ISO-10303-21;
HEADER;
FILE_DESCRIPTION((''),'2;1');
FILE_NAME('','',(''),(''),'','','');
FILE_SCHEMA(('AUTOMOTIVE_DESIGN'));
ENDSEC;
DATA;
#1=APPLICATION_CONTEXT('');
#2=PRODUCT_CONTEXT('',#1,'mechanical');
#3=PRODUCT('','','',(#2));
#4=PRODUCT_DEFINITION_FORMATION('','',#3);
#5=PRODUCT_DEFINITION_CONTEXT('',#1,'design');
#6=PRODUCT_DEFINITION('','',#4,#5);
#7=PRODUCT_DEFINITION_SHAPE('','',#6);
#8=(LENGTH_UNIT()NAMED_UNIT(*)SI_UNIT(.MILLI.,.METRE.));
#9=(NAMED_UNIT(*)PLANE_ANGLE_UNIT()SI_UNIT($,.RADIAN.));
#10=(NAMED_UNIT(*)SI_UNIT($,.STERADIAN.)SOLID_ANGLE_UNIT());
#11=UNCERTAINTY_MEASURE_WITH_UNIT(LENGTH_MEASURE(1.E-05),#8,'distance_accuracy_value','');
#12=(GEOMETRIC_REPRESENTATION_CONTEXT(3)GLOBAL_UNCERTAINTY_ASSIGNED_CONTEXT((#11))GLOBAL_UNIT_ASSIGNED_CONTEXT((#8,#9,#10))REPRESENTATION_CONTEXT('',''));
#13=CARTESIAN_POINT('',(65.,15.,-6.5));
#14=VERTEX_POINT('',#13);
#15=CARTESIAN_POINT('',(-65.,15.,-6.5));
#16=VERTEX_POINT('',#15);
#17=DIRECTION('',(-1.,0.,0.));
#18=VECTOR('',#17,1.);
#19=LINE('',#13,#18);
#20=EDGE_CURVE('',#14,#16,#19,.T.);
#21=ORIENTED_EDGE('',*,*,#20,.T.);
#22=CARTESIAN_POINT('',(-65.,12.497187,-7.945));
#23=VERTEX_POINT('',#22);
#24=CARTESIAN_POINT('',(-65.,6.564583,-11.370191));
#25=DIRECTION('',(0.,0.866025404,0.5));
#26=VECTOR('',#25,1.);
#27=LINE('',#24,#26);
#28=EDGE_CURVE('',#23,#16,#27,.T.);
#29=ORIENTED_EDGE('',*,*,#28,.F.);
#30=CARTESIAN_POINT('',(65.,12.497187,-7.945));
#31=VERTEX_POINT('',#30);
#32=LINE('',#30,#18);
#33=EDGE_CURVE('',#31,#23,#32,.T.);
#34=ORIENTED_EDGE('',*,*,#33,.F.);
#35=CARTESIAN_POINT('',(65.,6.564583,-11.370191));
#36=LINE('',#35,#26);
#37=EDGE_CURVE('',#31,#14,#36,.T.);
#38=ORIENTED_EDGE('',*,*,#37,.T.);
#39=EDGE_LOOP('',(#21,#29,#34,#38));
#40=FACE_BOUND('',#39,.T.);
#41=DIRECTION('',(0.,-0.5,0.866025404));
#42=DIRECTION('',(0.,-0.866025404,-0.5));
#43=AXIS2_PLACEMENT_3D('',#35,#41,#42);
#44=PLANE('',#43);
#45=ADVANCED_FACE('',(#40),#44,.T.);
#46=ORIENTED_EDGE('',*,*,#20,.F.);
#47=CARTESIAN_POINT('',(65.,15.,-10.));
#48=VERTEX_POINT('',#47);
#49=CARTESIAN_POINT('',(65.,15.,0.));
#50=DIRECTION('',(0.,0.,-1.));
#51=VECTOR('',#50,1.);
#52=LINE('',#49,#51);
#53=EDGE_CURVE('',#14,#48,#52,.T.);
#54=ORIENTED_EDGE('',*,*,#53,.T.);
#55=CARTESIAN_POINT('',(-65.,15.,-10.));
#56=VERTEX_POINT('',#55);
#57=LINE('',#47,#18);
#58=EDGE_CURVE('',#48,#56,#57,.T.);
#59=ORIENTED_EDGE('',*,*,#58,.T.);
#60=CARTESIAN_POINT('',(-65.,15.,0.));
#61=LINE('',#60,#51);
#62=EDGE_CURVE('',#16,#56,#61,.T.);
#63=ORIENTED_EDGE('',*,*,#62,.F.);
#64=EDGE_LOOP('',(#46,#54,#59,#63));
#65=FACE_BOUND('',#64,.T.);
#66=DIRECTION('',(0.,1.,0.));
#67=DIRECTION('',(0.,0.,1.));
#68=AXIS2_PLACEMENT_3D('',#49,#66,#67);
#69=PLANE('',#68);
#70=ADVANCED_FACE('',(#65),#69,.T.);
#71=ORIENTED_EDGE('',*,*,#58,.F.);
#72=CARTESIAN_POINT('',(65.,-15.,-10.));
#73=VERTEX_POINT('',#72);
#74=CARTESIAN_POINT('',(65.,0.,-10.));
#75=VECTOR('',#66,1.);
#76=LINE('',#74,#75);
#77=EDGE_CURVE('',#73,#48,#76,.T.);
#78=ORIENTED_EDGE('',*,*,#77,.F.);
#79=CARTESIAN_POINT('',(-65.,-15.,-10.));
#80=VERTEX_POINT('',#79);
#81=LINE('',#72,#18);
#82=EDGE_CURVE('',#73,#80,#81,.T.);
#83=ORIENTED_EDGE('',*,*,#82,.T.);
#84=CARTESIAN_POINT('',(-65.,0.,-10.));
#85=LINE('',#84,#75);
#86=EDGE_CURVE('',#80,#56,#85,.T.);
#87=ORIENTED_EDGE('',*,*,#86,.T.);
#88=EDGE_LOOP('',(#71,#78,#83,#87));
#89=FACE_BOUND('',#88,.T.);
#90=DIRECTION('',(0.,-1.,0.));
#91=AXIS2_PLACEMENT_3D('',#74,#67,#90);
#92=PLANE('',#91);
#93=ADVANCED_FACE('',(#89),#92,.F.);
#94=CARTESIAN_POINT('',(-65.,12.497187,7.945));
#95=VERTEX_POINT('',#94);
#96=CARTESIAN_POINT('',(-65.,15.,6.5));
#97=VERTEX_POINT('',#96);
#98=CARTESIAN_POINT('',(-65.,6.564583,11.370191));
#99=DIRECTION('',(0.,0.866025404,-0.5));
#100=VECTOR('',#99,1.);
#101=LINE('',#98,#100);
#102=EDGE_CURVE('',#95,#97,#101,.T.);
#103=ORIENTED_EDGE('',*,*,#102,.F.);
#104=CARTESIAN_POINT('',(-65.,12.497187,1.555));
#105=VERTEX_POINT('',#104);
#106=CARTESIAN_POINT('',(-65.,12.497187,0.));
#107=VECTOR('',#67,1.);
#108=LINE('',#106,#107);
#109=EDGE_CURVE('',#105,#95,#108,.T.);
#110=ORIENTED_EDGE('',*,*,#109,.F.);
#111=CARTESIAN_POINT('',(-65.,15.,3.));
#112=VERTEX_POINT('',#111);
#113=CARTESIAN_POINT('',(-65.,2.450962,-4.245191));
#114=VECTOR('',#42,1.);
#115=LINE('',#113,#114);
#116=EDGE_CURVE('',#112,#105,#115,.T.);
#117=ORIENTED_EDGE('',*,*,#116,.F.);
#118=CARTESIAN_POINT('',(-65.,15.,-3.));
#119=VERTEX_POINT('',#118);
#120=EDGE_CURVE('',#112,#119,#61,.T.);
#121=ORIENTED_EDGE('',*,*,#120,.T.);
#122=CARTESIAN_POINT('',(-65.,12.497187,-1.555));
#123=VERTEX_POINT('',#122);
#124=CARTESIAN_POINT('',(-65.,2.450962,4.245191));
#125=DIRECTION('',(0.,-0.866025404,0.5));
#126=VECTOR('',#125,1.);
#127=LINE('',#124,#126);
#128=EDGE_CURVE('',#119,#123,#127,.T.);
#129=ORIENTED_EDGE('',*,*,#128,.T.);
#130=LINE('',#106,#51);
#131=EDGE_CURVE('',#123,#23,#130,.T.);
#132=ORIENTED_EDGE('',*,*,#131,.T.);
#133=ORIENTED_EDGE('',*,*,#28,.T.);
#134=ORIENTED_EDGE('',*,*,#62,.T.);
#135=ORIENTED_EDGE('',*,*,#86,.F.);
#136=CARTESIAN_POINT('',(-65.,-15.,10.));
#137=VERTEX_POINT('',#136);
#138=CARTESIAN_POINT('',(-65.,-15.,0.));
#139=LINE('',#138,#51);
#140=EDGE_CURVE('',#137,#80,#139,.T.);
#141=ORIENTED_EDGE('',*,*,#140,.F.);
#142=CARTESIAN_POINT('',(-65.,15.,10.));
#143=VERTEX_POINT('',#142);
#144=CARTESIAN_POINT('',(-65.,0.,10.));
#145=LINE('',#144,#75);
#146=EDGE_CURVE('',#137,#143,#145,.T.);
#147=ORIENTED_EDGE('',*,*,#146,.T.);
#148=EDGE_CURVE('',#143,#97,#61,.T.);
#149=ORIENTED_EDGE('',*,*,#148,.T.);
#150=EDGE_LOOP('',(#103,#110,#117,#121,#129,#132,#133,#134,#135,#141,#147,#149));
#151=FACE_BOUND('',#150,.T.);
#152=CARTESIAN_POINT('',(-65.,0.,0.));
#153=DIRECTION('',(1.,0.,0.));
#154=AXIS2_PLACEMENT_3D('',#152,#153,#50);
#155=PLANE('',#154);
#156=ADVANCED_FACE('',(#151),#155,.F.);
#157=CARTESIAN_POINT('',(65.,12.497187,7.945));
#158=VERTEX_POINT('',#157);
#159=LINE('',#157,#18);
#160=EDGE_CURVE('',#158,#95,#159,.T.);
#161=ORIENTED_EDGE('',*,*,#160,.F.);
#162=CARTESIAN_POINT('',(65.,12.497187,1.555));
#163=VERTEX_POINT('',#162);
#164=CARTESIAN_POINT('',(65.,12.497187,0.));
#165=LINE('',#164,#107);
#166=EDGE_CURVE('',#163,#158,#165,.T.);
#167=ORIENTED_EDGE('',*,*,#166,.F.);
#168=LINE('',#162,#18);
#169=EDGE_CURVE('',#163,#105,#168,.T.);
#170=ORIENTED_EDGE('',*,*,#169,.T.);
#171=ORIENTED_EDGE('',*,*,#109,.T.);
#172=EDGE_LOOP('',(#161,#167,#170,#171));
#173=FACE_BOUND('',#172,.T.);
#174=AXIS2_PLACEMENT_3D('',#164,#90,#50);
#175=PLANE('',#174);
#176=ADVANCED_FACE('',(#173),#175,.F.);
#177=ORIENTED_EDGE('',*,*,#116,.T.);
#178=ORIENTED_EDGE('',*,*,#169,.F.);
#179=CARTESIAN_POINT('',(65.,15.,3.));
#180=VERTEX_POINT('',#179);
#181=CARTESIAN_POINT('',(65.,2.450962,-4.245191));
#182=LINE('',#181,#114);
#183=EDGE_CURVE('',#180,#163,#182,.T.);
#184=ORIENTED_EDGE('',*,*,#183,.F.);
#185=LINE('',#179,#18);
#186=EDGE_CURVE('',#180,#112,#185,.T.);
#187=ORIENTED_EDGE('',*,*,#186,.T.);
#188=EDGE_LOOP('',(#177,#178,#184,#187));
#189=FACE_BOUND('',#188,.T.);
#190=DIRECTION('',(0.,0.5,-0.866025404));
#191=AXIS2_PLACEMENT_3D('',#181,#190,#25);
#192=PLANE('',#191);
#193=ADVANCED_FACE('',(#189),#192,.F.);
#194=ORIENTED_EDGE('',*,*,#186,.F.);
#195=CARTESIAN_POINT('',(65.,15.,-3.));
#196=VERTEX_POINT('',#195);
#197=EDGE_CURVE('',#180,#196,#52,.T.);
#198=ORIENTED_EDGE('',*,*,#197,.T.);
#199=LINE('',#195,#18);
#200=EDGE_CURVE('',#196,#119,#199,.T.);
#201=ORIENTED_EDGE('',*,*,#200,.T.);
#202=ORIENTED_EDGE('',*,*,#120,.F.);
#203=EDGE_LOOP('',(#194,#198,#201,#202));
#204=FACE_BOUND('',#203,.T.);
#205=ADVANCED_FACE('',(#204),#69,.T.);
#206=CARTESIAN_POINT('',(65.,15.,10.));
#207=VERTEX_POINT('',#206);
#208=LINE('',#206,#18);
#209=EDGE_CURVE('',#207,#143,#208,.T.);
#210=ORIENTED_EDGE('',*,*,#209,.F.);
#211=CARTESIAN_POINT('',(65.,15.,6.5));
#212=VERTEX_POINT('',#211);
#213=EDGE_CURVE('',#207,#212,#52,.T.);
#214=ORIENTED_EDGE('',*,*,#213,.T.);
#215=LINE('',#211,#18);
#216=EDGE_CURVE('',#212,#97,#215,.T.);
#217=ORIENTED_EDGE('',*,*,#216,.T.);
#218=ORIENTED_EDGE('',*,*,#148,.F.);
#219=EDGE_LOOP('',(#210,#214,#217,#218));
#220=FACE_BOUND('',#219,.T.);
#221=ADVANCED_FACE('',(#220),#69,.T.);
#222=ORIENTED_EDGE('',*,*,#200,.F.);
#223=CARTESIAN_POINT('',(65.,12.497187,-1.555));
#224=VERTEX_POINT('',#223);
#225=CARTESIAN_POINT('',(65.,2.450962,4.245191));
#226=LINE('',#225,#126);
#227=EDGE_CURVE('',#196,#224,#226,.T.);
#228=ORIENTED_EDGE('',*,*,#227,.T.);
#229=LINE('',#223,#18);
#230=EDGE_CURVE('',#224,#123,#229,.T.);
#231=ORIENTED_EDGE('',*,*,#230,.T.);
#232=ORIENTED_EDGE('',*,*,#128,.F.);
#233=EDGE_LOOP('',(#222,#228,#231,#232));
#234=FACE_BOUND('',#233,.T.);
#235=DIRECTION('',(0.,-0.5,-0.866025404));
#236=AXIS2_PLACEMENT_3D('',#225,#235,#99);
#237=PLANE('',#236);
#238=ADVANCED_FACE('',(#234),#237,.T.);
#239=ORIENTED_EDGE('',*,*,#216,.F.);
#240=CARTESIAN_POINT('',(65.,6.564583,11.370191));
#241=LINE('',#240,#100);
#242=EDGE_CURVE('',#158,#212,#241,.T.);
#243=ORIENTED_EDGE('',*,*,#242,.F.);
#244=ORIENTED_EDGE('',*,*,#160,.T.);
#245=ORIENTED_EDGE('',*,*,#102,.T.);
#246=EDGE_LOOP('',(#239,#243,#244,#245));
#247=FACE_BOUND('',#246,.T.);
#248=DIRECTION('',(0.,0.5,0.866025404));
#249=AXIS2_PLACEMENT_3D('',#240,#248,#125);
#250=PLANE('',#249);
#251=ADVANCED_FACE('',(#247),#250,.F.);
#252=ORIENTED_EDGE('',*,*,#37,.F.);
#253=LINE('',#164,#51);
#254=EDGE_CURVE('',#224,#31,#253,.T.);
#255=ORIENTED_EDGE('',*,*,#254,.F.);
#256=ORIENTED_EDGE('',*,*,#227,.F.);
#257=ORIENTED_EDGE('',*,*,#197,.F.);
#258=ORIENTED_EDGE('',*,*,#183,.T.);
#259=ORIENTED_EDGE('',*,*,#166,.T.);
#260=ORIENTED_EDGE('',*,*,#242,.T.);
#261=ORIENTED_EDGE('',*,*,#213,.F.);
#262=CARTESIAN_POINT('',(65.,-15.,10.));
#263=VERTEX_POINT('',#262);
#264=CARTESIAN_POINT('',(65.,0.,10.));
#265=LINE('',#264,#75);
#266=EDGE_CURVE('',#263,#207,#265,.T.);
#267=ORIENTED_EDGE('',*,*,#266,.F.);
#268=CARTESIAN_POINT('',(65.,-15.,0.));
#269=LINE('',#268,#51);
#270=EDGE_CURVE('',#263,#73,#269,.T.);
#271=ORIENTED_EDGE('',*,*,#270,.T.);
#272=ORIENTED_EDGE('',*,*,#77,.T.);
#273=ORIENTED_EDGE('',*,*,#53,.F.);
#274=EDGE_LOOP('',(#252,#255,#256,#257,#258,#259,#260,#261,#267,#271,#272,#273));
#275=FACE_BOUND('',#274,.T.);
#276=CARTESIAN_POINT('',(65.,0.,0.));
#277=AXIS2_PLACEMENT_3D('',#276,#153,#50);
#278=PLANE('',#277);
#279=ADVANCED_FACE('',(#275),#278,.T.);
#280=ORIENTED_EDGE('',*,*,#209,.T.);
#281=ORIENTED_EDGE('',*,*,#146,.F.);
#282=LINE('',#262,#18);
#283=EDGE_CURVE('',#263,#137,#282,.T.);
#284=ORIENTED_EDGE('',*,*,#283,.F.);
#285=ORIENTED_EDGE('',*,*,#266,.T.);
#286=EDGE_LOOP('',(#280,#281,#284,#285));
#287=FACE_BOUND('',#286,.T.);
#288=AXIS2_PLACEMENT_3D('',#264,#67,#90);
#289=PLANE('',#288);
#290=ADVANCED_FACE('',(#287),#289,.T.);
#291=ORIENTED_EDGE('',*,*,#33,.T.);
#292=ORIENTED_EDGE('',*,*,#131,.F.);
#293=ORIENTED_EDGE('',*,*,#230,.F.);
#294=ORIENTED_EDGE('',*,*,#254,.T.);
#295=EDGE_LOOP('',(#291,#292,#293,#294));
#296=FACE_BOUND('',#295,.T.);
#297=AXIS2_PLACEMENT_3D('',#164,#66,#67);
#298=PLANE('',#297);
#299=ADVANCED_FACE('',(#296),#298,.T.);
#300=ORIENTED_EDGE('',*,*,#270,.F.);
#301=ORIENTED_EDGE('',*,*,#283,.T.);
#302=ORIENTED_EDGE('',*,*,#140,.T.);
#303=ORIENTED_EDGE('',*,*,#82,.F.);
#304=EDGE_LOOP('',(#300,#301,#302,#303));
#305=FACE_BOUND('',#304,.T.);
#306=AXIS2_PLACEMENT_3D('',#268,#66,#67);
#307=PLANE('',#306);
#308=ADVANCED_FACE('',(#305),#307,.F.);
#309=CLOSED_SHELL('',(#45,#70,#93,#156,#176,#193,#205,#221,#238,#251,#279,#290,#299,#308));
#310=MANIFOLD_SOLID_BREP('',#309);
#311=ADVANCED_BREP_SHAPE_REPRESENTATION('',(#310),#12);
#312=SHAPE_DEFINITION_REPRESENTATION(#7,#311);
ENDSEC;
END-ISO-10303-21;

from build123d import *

# Parameters (mm, degrees)
BOSS_EXTRUDE1_DEPTH = 65


with BuildPart() as part:
    # Sketch1 → Boss-Extrude1 (new body, symmetric)
    with BuildSketch(Plane(origin=(0, 0, 0), x_dir=(0, 0, -1), z_dir=(1, 0, 0))):
        Polygon((1.555, 12.497186583), (3, 15), (0, 15), (-3, 15), (-1.555, 12.497186583), (-7.945, 12.497186583), (-6.5, 15), (-10, 15), (-10, -15), (10, -15), (10, 15), (6.5, 15), (7.945, 12.497186583), align=None)
    extrude(amount=BOSS_EXTRUDE1_DEPTH, both=True)


solid = part.part
